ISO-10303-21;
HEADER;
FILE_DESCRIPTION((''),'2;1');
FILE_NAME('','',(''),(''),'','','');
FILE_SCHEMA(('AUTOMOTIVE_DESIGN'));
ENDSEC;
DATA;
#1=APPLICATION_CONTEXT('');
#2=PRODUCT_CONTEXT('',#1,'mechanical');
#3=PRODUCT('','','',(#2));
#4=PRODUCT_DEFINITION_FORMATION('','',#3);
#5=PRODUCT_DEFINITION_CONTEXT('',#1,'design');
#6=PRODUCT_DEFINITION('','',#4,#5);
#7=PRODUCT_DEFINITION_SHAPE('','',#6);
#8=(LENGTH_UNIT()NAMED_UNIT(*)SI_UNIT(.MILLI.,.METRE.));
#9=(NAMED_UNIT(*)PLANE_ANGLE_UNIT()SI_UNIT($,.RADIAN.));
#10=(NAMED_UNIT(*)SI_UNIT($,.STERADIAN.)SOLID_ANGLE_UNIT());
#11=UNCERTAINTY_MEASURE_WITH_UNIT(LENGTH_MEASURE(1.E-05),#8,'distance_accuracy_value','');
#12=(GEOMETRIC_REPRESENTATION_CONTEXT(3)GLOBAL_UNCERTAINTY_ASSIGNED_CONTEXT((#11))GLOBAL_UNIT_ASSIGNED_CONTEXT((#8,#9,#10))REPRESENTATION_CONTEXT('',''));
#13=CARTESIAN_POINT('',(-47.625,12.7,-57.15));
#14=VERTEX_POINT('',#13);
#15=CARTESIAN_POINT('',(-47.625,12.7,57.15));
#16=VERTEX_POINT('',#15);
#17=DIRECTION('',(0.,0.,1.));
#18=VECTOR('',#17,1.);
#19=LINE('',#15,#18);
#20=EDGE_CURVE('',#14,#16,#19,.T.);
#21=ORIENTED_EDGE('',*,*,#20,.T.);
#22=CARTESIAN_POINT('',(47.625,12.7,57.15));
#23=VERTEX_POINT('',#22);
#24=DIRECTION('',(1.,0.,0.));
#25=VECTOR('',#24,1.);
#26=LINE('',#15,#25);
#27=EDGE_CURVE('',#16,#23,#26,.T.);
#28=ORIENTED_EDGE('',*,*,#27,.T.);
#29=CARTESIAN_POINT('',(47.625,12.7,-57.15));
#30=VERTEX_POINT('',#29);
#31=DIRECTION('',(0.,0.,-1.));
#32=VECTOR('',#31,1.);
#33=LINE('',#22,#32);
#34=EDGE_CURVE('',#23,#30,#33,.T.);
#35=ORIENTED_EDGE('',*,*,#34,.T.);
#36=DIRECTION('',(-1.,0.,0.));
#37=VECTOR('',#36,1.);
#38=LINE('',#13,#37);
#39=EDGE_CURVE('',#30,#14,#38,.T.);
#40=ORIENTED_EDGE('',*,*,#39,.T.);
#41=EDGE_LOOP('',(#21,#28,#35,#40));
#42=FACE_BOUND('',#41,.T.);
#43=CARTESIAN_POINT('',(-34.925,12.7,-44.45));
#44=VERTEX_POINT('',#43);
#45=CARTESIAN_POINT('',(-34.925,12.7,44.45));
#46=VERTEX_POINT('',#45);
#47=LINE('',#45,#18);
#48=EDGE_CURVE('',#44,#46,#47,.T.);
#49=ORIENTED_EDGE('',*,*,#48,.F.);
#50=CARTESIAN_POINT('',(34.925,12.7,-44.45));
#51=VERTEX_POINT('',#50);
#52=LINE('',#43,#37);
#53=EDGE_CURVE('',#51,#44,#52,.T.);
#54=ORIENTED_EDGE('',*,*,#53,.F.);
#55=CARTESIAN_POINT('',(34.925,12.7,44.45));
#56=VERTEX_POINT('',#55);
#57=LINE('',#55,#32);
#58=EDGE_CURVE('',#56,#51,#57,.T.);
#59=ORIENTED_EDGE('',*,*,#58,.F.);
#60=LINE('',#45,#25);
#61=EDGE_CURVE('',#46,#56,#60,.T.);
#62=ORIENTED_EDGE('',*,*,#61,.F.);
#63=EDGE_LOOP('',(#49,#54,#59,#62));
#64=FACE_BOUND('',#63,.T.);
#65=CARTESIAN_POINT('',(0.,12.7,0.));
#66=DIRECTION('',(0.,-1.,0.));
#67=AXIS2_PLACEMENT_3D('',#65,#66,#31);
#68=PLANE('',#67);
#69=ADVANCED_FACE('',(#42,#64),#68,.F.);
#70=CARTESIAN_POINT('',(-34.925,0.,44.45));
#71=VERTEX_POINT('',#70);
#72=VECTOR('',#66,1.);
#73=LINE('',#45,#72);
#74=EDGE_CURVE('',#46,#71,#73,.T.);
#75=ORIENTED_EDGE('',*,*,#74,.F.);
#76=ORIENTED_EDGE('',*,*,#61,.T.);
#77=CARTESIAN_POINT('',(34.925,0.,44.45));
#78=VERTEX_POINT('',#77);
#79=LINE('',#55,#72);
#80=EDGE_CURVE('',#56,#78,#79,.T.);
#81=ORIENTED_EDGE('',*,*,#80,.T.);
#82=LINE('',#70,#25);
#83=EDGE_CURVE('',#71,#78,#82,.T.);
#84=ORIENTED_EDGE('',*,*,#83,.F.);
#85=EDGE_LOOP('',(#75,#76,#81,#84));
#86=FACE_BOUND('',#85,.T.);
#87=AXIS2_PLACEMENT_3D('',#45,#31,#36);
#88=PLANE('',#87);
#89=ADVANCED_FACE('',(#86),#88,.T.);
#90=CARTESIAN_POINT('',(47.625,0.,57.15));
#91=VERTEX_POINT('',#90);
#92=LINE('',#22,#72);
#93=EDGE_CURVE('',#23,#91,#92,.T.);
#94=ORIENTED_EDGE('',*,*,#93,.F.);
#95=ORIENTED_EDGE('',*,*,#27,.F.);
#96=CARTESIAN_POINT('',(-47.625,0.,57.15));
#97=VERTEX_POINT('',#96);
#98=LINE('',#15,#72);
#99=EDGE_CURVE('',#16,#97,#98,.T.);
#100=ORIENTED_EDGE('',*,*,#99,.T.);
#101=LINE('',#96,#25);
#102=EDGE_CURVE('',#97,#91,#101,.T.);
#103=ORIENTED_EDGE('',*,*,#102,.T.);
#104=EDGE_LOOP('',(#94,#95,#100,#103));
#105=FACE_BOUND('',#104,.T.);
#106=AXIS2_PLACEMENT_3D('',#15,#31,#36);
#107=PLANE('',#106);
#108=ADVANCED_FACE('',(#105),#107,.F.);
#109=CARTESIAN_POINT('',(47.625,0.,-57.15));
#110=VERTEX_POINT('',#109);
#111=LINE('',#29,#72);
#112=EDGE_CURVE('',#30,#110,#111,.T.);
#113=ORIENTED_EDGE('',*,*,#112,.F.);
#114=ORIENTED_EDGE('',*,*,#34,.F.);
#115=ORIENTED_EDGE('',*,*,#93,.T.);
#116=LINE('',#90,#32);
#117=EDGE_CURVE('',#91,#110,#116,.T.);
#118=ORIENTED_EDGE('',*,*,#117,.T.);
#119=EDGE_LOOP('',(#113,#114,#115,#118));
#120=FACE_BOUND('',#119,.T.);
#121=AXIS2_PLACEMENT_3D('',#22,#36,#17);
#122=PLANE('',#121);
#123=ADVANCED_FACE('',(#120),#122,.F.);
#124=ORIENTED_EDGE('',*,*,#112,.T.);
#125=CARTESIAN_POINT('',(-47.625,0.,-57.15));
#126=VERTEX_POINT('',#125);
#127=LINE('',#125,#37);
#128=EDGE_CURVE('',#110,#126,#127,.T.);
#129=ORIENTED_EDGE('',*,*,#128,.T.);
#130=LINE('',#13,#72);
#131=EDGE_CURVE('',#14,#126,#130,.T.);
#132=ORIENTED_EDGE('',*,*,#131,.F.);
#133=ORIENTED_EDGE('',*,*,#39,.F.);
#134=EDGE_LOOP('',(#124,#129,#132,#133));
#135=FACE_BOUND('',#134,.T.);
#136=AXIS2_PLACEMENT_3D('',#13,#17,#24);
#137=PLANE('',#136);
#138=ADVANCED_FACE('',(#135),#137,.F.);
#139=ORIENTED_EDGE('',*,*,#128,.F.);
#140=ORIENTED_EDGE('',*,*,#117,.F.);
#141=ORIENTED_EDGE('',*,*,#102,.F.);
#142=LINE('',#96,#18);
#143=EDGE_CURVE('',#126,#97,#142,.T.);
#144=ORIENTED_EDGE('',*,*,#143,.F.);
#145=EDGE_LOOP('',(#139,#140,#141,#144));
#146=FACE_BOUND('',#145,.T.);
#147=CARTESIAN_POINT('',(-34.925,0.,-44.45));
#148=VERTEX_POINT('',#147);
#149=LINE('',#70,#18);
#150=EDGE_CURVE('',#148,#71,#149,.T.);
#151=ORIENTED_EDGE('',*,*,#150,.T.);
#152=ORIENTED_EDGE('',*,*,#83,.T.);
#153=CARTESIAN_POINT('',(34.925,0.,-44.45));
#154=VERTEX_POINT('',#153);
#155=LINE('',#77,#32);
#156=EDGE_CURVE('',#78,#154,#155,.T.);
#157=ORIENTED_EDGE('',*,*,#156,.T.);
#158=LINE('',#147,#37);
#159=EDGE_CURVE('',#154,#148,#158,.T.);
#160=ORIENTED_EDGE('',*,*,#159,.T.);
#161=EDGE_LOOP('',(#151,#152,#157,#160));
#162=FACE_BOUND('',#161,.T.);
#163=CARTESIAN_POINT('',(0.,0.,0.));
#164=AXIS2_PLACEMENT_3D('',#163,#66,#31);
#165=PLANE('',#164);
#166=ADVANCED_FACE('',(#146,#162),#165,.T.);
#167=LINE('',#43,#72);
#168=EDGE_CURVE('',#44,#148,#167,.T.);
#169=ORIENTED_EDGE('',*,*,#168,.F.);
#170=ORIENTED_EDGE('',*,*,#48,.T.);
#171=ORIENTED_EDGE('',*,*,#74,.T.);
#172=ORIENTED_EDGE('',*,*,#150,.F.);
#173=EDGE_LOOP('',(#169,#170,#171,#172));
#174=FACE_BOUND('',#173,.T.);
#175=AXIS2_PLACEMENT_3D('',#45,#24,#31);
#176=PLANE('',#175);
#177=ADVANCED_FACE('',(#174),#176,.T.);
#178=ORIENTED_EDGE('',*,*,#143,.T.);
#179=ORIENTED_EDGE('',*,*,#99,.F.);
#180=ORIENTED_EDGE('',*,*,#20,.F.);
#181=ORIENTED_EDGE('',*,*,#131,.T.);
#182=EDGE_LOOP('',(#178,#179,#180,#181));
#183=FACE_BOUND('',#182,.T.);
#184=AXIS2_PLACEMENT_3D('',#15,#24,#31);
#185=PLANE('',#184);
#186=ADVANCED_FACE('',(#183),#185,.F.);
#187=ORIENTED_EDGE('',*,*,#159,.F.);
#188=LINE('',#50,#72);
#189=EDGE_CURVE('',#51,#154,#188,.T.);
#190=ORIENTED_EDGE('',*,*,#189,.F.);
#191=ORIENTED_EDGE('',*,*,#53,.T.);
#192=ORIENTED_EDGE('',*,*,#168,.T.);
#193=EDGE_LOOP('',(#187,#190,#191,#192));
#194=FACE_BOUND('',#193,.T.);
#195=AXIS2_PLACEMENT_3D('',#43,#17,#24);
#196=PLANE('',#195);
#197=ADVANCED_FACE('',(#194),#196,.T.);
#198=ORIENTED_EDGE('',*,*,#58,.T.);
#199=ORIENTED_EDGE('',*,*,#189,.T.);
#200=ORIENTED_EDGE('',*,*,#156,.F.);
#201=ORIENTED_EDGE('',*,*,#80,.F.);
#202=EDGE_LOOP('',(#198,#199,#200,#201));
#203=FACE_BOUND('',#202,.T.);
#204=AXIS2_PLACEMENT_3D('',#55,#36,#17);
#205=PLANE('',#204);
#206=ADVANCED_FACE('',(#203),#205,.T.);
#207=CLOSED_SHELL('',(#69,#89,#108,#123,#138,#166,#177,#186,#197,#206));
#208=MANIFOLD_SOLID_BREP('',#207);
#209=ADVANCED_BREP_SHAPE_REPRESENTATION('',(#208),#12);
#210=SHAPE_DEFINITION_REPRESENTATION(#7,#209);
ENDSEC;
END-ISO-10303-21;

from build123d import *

# Parameters (mm, degrees)
SKETCH1_W           = 95.25
SKETCH1_H           = 114.3
SKETCH1_W_2         = 69.85
SKETCH1_H_2         = 88.9
BOSS_EXTRUDE1_DEPTH = 12.7


with BuildPart() as part:
    # Sketch1 → Boss-Extrude1 (new body)
    with BuildSketch(Plane(origin=(0, 0, 0), x_dir=(1, 0, 0), z_dir=(0, 1, 0))):
        Rectangle(SKETCH1_W, SKETCH1_H)
        Rectangle(SKETCH1_W_2, SKETCH1_H_2, mode=Mode.SUBTRACT)
    extrude(amount=BOSS_EXTRUDE1_DEPTH)


solid = part.part
